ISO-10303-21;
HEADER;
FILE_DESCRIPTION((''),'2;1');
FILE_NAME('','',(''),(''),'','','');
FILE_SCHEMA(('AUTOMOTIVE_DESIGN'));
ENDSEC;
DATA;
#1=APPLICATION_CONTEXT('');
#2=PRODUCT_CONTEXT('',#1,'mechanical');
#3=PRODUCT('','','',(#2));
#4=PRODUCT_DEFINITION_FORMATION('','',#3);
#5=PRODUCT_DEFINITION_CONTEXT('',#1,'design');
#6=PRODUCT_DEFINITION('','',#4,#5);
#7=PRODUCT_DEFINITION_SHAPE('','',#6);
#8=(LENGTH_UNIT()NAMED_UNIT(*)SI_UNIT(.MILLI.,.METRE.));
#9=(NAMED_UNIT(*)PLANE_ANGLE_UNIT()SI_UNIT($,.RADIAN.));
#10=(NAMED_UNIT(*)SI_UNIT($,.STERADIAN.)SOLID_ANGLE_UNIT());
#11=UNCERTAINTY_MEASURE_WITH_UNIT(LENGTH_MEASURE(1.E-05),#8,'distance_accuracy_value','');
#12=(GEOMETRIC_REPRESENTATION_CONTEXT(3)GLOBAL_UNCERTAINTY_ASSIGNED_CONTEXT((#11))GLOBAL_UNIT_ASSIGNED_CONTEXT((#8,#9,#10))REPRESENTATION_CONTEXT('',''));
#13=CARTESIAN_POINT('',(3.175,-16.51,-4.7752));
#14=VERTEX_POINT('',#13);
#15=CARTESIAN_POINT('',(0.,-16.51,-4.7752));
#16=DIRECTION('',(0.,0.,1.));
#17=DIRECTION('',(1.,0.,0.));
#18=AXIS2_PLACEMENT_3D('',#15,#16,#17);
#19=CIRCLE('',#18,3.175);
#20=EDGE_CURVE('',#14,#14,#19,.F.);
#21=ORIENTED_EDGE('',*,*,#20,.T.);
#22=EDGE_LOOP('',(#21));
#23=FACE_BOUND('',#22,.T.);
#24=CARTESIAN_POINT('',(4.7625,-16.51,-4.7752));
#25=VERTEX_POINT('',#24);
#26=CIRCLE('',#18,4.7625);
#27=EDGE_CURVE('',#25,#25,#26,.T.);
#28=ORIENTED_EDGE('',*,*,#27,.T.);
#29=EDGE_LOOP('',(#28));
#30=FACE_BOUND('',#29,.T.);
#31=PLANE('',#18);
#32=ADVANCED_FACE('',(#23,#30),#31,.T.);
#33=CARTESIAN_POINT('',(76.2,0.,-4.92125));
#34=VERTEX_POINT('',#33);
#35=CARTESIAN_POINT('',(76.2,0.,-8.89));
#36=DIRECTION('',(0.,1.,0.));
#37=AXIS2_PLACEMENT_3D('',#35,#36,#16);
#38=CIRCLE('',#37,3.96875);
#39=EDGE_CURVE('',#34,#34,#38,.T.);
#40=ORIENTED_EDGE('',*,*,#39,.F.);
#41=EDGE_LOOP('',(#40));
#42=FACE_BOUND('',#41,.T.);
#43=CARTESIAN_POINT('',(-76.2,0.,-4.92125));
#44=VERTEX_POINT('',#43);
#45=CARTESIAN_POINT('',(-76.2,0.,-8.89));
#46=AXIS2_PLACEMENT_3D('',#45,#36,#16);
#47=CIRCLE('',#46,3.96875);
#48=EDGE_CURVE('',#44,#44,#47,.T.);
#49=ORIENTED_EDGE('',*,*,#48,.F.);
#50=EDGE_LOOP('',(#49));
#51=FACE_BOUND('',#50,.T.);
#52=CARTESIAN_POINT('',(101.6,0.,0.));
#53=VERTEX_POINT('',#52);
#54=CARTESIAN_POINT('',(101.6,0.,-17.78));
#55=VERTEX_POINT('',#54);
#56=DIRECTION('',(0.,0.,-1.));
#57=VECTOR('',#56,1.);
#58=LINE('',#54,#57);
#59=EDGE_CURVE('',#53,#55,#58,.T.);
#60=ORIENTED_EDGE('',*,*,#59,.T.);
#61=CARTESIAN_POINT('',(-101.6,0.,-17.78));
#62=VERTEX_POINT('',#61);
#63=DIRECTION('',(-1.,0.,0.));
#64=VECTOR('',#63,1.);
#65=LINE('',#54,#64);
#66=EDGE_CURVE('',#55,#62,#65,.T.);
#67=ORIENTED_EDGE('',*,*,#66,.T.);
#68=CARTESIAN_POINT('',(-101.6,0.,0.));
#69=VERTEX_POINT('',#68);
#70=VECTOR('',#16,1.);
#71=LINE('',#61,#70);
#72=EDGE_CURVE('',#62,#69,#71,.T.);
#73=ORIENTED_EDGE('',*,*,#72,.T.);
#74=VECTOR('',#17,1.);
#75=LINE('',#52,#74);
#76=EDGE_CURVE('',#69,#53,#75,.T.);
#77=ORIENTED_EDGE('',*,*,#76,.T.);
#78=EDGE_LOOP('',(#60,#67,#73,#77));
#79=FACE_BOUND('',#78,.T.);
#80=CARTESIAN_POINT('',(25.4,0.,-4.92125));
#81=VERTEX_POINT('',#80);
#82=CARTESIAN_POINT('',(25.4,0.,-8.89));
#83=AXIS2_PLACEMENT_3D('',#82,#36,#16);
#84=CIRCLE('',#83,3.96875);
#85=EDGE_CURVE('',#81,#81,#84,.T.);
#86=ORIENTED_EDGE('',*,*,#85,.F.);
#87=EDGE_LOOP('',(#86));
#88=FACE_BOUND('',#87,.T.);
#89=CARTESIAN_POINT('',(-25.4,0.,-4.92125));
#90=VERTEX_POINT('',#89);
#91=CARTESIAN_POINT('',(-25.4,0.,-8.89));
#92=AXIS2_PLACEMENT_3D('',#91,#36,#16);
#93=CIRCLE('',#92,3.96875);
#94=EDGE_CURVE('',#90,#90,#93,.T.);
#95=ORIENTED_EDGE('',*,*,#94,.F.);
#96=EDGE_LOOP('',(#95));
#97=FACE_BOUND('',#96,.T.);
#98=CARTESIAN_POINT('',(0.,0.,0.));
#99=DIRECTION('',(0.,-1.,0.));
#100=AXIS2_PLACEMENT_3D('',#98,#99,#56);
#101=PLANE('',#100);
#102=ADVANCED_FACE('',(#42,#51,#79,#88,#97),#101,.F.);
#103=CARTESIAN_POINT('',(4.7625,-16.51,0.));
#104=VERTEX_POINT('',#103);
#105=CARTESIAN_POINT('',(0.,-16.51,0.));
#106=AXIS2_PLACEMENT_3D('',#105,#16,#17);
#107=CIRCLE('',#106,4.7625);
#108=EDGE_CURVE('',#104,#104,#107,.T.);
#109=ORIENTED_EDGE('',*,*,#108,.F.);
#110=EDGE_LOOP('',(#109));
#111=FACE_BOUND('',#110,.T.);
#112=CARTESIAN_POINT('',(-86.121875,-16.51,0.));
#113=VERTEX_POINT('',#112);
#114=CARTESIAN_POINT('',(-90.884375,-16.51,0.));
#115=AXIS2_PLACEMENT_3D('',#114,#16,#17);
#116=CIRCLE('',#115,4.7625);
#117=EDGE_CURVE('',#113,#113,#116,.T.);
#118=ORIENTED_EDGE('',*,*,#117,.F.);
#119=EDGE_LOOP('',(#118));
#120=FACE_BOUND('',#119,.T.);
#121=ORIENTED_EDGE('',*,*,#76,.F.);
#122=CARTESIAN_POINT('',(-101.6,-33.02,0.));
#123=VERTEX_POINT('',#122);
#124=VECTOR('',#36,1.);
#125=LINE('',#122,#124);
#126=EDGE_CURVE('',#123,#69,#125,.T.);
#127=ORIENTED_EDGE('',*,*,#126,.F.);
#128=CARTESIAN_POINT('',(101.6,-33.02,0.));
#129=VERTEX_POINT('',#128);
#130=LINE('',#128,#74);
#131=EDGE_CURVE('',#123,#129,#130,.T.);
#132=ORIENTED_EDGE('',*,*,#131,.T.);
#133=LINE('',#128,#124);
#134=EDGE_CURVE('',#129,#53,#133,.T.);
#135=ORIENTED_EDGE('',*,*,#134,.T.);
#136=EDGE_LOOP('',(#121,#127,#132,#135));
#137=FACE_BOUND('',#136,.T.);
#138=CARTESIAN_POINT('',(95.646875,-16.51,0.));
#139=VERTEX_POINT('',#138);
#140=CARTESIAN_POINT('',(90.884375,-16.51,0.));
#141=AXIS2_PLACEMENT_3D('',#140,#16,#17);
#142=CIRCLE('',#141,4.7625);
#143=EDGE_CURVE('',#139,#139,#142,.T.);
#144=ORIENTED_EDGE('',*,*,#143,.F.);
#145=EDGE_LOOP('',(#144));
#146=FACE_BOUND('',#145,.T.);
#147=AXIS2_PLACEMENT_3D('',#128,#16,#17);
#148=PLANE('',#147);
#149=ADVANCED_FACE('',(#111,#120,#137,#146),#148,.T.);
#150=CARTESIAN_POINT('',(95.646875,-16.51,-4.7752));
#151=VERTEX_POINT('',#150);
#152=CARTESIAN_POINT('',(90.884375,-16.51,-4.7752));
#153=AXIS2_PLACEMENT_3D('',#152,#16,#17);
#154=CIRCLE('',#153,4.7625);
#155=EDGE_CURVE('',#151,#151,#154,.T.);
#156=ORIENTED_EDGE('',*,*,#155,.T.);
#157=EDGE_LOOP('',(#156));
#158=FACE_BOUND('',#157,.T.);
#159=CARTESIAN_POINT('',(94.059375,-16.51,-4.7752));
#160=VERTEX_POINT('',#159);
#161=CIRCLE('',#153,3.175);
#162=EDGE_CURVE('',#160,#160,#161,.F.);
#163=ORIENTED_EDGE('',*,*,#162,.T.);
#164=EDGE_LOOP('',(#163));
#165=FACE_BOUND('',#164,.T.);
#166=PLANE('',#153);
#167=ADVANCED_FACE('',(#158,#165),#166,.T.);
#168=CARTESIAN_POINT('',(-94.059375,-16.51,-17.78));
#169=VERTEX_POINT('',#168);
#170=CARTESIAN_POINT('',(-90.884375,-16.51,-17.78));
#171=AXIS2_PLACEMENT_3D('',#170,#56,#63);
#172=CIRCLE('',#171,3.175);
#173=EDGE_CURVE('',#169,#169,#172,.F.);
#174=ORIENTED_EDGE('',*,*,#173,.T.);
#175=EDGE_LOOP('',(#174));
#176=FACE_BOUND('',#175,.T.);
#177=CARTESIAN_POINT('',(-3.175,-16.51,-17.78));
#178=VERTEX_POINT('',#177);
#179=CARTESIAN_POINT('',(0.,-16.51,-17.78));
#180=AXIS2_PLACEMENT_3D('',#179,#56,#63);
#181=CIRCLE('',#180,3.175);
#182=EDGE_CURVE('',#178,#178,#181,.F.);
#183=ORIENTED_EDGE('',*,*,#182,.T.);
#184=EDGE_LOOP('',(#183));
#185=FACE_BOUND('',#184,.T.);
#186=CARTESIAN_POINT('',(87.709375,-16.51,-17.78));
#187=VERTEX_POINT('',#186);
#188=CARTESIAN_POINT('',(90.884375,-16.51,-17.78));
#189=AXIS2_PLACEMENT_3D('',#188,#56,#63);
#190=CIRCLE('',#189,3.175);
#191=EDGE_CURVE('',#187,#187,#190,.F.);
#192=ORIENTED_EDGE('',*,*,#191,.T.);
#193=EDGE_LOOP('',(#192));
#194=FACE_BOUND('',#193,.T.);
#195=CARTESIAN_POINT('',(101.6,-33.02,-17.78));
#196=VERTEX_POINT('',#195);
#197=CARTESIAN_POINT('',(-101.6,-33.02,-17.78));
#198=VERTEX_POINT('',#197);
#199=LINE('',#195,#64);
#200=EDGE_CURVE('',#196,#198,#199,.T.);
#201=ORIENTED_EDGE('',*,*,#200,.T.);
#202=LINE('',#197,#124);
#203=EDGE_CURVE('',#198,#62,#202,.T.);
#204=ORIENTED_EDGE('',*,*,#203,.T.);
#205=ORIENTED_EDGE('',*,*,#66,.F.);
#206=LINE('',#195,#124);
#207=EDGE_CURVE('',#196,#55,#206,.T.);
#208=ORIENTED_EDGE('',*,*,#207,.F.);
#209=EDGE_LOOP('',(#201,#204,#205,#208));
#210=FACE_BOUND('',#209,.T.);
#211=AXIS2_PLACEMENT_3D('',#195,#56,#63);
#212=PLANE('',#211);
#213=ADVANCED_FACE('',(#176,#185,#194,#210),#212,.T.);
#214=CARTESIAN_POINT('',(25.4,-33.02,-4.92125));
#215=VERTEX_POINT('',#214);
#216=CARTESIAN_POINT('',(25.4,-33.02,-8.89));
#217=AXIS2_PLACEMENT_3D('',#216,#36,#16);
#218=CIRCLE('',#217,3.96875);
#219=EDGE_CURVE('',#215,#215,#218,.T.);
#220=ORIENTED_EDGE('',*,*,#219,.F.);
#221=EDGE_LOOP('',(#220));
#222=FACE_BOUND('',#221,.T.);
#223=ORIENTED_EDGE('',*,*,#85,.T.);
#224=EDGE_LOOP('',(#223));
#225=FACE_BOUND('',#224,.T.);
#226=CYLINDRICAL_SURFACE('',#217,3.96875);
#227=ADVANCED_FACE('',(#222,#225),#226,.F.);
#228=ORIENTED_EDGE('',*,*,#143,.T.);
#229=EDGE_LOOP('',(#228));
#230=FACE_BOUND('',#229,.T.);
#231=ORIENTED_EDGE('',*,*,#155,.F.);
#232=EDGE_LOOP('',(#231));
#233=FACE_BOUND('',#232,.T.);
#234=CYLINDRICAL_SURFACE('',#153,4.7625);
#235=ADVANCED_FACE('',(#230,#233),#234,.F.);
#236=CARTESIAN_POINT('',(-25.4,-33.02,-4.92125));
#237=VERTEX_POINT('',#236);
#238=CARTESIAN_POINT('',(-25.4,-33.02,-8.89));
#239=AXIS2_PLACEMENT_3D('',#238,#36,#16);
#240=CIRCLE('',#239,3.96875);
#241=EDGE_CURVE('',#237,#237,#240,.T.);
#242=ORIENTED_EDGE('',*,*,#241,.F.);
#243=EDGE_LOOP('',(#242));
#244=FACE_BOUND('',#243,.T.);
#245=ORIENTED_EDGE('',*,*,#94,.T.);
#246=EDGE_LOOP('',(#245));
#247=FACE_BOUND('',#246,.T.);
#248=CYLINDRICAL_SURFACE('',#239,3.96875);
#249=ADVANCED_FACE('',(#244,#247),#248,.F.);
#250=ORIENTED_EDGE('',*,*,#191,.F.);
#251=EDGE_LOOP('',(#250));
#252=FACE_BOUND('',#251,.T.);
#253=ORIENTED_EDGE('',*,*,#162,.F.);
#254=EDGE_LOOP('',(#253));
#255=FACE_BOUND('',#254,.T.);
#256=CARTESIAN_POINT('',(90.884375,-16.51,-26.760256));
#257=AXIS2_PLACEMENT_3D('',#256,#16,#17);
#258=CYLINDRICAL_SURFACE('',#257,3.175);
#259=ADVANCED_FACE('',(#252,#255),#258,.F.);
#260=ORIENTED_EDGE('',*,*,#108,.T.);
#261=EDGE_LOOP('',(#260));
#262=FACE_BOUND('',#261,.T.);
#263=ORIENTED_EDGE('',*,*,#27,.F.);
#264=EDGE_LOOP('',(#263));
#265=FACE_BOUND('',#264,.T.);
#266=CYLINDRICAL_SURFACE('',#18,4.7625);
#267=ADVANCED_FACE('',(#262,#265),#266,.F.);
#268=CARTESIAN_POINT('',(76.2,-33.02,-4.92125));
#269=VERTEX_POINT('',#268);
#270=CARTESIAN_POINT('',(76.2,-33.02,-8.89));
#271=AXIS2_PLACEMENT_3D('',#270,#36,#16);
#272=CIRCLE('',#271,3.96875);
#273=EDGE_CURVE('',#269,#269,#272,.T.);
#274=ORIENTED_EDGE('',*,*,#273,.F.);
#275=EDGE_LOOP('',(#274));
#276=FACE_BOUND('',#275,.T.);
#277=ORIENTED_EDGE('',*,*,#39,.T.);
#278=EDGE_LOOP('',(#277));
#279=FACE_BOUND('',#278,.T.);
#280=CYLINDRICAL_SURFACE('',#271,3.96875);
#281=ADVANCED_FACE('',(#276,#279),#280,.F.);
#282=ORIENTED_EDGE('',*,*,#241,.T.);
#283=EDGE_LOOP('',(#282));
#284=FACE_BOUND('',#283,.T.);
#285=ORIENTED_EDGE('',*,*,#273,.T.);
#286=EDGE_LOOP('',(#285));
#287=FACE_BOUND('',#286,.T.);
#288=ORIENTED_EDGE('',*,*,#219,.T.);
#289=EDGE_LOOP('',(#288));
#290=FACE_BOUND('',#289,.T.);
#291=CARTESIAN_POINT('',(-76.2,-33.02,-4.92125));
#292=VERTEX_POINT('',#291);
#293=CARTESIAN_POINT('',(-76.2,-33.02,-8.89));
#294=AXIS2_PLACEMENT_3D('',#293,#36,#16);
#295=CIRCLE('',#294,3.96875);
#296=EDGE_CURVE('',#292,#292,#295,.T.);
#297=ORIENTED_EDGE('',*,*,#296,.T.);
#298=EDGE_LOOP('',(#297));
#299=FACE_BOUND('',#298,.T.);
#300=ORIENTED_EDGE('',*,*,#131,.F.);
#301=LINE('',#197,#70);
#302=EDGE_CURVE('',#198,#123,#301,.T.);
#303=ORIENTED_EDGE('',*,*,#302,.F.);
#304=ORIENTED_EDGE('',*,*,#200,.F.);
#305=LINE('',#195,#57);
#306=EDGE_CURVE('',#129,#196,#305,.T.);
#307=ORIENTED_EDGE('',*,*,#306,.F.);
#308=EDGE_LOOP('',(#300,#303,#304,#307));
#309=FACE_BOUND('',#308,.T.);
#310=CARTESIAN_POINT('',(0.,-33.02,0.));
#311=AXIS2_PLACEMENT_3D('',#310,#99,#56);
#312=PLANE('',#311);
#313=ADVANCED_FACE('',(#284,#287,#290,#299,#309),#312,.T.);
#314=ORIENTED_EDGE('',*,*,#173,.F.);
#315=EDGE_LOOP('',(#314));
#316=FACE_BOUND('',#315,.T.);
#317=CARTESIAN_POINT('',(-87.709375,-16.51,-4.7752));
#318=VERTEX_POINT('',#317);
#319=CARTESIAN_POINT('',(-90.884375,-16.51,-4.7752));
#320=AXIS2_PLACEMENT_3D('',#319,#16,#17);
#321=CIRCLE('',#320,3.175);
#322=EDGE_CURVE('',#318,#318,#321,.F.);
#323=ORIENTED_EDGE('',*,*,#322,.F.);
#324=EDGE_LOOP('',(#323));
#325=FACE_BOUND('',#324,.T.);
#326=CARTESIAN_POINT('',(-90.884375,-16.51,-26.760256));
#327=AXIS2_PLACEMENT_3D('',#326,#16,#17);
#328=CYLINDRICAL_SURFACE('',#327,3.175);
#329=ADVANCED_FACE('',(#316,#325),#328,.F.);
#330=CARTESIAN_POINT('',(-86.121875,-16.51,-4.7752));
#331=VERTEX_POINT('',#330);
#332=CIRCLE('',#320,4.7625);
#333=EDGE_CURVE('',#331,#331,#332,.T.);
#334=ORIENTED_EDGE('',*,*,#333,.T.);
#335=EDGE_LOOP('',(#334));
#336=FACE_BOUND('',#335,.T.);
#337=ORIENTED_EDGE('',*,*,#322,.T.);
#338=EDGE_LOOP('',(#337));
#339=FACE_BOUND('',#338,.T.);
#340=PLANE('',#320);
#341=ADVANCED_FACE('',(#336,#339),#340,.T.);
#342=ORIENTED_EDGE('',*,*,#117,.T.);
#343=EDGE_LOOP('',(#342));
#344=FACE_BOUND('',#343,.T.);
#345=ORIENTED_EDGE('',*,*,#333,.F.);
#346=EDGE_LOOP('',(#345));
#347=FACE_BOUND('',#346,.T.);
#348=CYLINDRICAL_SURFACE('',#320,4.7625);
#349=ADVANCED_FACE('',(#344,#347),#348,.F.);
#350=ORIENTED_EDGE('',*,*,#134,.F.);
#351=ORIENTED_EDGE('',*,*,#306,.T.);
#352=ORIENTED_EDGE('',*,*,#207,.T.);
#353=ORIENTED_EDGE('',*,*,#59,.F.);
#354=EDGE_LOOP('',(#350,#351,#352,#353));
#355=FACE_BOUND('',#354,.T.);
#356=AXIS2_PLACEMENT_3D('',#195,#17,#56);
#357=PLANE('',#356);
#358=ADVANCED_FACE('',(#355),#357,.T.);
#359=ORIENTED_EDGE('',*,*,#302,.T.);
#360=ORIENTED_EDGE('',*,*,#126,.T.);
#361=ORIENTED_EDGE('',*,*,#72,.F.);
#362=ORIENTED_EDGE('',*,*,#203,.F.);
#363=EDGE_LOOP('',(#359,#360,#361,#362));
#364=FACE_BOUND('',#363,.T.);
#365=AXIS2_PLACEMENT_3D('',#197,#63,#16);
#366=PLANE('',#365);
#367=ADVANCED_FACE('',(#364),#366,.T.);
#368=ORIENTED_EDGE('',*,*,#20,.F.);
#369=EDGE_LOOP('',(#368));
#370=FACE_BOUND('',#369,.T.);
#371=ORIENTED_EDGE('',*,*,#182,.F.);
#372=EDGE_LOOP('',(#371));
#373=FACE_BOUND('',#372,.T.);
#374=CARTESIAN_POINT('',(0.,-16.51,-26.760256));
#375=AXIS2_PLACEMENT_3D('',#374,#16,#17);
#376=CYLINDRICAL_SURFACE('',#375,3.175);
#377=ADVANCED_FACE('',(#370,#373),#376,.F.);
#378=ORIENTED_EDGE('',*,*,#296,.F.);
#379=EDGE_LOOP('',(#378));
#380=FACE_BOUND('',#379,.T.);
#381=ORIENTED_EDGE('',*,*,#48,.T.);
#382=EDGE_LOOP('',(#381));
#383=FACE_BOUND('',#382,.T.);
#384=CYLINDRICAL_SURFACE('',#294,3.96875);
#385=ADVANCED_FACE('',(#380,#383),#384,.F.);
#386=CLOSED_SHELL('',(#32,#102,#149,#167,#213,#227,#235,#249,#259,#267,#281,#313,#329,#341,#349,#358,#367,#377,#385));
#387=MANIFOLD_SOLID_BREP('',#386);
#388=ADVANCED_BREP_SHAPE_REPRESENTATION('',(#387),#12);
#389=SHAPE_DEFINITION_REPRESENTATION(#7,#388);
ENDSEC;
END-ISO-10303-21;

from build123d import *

# Parameters (mm, degrees)
SKETCH1_W           = 203.2
SKETCH1_H           = 17.78
SKETCH1_R           = 3.96875
BOSS_EXTRUDE1_DEPTH = 33.02
SKETCH2_R           = 3.175
CUT_EXTRUDE1_DEPTH  = 17.78
SKETCH3_R           = 4.7625
CUT_EXTRUDE2_DEPTH  = 4.7752


with BuildPart() as part:
    # Sketch1 → Boss-Extrude1 (new body)
    with BuildSketch(Plane(origin=(0, 0, 0), x_dir=(1, 0, 0), z_dir=(0, 1, 0))):
        with Locations((0, 8.89)):
            Rectangle(SKETCH1_W, SKETCH1_H)
        with Locations(Location((76.2, 8.89, 0), (0, 0, 270))):
            Circle(SKETCH1_R, mode=Mode.SUBTRACT)
        with Locations(Location((25.4, 8.89, 0), (0, 0, 270))):
            Circle(SKETCH1_R, mode=Mode.SUBTRACT)
        with Locations(Location((-25.4, 8.89, 0), (0, 0, 270))):
            Circle(SKETCH1_R, mode=Mode.SUBTRACT)
        with Locations(Location((-76.2, 8.89, 0), (0, 0, 270))):
            Circle(SKETCH1_R, mode=Mode.SUBTRACT)
    extrude(amount=-BOSS_EXTRUDE1_DEPTH)

    # Sketch2 → Cut-Extrude1 (cut)
    with BuildSketch(Plane.XY):
        with Locations((90.884375, -16.51)):
            Circle(SKETCH2_R)
        with Locations((0, -16.51)):
            Circle(SKETCH2_R)
        with Locations((-90.884375, -16.51)):
            Circle(SKETCH2_R)
    extrude(amount=-CUT_EXTRUDE1_DEPTH, mode=Mode.SUBTRACT)

    # Sketch3 → Cut-Extrude2 (cut)
    with BuildSketch(Plane.XY):
        with Locations((90.884375, -16.51)):
            Circle(SKETCH3_R)
        with Locations((0, -16.51)):
            Circle(SKETCH3_R)
        with Locations((-90.884375, -16.51)):
            Circle(SKETCH3_R)
    extrude(amount=-CUT_EXTRUDE2_DEPTH, mode=Mode.SUBTRACT)


solid = part.part
